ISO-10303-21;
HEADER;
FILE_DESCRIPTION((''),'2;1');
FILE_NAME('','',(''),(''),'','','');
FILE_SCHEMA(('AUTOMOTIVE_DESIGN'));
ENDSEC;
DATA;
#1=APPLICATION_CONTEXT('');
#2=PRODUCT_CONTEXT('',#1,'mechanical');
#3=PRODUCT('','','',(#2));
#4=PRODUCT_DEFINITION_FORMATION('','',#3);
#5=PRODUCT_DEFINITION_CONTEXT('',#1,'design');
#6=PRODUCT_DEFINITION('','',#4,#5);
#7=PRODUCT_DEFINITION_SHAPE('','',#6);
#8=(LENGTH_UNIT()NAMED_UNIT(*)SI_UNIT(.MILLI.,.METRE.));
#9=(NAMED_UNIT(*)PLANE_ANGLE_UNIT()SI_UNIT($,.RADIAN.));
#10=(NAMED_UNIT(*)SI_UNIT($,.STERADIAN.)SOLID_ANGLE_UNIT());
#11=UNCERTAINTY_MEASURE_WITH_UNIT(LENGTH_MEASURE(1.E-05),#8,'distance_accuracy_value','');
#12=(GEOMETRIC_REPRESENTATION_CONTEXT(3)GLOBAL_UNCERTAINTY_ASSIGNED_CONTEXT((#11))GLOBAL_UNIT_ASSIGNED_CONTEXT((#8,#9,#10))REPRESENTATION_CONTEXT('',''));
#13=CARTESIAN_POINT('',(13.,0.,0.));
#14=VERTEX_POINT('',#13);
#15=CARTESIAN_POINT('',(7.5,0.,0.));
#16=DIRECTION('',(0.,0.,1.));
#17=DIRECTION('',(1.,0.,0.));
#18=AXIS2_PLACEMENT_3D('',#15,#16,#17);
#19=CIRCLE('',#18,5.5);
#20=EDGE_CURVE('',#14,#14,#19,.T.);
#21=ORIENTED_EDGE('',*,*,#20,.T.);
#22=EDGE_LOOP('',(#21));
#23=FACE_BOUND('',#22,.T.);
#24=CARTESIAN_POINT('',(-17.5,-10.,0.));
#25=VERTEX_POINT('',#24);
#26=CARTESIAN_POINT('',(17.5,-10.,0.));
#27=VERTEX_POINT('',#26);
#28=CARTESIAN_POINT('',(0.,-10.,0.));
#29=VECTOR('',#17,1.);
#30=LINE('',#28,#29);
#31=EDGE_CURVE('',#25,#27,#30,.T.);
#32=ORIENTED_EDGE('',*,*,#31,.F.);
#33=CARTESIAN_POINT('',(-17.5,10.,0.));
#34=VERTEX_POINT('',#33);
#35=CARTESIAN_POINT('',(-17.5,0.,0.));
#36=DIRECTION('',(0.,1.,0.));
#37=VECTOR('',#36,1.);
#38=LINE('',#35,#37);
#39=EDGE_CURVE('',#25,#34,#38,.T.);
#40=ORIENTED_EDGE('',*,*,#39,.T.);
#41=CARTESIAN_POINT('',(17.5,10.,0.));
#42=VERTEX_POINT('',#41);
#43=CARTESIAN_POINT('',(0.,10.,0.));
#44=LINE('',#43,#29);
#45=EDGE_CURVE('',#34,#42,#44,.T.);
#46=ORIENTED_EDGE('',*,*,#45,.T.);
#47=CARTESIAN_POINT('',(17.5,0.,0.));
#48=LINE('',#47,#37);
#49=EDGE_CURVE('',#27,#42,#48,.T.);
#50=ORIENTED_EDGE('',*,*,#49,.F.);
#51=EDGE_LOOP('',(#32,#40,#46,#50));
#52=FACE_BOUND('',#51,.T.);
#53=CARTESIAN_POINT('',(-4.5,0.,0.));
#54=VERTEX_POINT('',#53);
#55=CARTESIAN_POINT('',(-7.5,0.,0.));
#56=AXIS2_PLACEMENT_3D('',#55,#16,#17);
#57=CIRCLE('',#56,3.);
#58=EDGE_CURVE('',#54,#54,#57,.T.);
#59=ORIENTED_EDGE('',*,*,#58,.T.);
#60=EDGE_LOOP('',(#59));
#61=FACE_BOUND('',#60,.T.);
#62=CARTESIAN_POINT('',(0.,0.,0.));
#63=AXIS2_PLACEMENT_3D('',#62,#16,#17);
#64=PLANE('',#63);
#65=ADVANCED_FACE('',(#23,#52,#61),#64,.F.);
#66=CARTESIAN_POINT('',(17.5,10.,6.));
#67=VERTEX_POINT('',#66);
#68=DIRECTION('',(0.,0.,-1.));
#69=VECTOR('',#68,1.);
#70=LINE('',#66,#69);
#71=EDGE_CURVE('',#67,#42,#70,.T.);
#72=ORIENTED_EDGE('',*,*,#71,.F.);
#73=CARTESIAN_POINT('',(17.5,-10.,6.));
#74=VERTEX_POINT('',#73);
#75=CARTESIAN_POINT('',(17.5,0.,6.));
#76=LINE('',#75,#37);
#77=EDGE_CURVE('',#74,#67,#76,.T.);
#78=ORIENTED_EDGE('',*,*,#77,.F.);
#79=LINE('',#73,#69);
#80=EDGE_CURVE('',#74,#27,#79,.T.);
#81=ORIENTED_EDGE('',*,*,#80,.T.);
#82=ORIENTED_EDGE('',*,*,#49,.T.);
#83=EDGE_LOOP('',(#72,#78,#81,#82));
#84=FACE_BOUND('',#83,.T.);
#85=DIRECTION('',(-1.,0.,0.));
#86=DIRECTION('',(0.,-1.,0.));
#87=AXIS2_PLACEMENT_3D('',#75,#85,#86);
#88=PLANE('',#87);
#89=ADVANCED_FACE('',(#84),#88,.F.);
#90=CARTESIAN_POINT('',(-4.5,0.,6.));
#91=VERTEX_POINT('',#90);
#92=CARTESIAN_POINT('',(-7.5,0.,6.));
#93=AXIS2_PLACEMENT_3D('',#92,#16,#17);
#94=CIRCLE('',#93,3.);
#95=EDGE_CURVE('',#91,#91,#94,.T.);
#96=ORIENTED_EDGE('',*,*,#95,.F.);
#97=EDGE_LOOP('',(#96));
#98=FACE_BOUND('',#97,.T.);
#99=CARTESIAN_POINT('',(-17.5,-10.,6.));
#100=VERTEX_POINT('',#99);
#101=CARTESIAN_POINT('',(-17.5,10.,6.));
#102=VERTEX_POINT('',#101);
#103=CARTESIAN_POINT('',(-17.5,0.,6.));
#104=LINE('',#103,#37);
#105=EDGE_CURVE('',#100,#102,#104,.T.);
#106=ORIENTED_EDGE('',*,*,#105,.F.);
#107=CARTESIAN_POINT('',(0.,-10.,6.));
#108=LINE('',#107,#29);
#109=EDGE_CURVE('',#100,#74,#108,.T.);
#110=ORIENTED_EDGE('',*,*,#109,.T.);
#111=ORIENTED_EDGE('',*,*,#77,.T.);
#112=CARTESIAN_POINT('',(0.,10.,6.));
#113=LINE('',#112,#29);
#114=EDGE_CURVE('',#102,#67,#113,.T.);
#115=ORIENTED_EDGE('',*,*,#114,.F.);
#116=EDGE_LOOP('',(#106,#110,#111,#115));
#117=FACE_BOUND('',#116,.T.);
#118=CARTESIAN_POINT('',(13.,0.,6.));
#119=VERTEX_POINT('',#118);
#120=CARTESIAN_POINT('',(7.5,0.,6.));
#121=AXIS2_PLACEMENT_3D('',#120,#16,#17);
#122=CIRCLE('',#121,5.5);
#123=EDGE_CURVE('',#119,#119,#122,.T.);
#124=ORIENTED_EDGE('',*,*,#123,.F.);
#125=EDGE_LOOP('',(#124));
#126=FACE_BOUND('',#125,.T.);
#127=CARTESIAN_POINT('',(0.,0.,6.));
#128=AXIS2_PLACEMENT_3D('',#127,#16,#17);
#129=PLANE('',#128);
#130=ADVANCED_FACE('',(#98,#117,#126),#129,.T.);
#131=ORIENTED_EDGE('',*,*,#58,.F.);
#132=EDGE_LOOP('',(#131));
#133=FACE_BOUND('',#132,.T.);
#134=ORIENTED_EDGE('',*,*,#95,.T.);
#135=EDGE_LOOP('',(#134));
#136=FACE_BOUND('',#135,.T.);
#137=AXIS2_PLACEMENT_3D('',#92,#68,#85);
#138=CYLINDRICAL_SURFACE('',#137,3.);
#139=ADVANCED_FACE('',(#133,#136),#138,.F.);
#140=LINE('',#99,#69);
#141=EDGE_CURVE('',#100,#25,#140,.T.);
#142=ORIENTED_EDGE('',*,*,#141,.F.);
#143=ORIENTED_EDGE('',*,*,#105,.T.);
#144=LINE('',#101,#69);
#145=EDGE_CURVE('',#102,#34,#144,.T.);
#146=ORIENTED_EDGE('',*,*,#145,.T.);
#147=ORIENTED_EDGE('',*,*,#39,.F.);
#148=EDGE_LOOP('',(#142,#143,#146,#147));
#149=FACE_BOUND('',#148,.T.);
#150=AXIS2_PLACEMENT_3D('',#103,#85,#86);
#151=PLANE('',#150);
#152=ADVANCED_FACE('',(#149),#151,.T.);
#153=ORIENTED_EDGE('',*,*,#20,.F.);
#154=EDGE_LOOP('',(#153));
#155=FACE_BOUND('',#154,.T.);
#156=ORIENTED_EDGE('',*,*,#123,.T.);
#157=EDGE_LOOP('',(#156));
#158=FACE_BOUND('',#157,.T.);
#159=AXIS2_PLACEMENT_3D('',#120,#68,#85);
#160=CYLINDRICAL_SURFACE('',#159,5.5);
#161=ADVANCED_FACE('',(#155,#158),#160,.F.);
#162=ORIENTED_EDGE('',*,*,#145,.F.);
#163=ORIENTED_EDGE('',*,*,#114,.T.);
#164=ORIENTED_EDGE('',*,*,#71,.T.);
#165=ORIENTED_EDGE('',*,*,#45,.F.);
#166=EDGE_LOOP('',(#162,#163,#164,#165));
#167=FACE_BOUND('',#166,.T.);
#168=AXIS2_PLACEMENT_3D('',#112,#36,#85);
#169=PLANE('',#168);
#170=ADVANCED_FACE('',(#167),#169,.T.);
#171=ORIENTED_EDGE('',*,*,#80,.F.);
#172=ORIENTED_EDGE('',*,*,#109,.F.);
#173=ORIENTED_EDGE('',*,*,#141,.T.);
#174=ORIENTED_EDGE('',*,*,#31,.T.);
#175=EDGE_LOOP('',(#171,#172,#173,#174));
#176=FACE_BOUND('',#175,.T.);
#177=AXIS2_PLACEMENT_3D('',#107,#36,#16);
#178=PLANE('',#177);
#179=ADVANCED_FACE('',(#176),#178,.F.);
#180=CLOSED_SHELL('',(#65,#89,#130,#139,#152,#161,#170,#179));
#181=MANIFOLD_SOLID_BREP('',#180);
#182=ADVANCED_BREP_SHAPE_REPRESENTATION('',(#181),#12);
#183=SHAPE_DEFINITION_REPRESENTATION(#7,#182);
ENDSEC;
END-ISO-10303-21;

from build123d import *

# Parameters (mm, degrees)
SKETCH1_W           = 35
SKETCH1_H           = 20
SKETCH1_R           = 3
SKETCH1_R_2         = 5.5
BOSS_EXTRUDE1_DEPTH = 6


with BuildPart() as part:
    # Sketch1 → Boss-Extrude1 (new body)
    with BuildSketch(Plane.XY):
        Rectangle(SKETCH1_W, SKETCH1_H)
        with Locations((-7.5, 0)):
            Circle(SKETCH1_R, mode=Mode.SUBTRACT)
        with Locations((7.5, 0)):
            Circle(SKETCH1_R_2, mode=Mode.SUBTRACT)
    extrude(amount=BOSS_EXTRUDE1_DEPTH)


solid = part.part
